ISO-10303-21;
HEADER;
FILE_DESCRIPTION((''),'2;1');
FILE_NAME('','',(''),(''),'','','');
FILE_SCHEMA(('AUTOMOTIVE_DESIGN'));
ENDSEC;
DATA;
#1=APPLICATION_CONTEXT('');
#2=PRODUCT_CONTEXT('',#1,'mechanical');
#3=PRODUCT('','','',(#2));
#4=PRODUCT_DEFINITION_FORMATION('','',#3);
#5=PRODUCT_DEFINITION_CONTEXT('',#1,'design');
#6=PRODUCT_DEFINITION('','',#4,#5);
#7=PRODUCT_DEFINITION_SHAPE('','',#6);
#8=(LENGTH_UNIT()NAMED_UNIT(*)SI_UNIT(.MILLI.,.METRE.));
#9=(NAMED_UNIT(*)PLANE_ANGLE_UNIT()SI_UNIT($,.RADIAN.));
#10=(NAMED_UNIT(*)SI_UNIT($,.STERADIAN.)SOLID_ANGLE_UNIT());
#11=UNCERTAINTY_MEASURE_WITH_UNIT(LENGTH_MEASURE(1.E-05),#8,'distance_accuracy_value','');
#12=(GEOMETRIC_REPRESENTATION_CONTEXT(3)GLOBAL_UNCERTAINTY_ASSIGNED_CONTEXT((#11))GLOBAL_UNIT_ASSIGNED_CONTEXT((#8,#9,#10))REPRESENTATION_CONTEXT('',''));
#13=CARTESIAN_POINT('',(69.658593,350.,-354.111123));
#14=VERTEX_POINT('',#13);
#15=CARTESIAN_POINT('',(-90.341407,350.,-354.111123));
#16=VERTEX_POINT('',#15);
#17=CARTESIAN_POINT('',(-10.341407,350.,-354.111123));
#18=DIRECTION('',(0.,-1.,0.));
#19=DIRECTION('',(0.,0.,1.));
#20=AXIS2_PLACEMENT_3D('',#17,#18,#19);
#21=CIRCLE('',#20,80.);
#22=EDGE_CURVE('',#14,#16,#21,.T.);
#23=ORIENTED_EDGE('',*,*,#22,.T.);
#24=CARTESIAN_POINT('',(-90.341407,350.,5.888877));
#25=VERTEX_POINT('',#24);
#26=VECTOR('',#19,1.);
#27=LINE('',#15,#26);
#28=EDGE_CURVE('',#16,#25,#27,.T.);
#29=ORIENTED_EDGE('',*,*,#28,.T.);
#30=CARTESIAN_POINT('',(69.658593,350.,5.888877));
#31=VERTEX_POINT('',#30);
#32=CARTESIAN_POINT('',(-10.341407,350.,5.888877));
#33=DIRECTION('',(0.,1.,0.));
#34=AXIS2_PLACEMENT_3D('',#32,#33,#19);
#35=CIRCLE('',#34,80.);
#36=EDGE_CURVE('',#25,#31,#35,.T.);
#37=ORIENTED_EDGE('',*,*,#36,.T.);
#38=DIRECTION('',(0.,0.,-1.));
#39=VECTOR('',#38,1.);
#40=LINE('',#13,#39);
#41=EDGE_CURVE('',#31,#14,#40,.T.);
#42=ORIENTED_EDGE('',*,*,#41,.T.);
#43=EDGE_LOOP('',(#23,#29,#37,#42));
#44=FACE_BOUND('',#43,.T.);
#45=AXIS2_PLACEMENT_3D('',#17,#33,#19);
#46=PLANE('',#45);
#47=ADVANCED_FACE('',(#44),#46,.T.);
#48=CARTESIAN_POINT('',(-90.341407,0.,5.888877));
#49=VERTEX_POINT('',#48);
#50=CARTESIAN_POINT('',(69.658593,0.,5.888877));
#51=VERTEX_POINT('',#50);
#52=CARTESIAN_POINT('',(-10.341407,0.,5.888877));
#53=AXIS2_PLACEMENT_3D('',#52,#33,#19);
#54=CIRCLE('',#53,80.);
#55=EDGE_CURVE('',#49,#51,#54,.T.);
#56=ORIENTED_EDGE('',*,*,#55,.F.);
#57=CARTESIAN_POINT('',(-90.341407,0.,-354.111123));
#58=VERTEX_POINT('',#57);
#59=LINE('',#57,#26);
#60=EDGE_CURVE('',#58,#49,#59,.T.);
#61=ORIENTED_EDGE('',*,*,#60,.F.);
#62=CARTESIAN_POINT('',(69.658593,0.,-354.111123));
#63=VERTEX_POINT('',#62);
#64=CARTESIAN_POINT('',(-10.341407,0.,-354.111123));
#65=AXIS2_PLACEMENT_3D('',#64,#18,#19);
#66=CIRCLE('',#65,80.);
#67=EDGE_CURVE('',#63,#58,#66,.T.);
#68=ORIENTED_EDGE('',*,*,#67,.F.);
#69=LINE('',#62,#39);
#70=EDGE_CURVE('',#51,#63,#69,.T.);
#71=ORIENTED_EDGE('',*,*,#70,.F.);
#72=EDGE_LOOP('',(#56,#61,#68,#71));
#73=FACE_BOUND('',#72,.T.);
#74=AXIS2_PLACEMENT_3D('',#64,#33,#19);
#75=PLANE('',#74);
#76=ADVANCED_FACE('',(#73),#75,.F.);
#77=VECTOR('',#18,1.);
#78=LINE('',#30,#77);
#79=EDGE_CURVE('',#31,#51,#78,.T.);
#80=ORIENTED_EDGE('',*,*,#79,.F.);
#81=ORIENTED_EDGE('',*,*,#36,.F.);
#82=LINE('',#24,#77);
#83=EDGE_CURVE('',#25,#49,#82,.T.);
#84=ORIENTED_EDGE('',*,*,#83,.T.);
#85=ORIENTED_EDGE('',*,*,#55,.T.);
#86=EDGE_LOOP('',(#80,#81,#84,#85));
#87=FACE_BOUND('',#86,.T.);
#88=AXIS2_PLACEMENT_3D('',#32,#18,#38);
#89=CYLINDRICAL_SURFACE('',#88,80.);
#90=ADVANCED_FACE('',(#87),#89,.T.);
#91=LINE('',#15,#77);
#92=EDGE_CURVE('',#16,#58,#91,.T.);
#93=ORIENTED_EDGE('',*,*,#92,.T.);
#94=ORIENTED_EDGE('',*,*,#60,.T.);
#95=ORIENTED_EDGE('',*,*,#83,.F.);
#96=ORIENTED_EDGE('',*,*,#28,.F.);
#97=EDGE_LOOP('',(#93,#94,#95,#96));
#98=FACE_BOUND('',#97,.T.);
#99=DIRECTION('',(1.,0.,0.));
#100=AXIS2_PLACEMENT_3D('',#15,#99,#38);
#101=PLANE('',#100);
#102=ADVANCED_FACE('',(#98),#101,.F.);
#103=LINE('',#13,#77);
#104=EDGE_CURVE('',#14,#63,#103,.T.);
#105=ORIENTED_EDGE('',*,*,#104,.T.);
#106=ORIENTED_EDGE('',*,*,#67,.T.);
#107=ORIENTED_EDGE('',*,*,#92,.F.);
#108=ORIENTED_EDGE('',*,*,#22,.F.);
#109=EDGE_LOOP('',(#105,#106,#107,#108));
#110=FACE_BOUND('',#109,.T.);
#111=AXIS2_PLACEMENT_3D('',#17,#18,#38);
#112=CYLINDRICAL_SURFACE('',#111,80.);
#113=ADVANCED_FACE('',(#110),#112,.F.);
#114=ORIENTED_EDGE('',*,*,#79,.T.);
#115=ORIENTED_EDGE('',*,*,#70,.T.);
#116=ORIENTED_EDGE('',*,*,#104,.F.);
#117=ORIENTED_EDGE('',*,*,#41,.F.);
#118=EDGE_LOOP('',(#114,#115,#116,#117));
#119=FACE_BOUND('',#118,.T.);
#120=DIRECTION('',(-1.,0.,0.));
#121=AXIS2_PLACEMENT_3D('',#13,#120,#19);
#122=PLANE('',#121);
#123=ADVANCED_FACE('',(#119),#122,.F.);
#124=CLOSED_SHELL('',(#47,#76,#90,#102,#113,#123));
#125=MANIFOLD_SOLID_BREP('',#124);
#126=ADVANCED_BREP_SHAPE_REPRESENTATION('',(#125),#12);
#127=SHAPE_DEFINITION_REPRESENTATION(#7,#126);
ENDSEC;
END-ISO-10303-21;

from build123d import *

# Parameters (mm, degrees)
BOSS_EXTRUDE1_DEPTH = 350


with BuildPart() as part:
    # Sketch1 → Boss-Extrude1 (new body)
    with BuildSketch(Plane(origin=(0, 0, 0), x_dir=(1, 0, 0), z_dir=(0, 1, 0))):
        with BuildLine():
            Line((-90.341406563, 354.111123331), (-90.341406563, -5.888876669))
            ThreePointArc((-90.341406563, -5.888876669), (-10.341406563, -85.888876669), (69.658593437, -5.888876669))
            Line((69.658593437, -5.888876669), (69.658593437, 354.111123331))
            ThreePointArc((69.658593437, 354.111123331), (-10.341406563, 274.111123331), (-90.341406563, 354.111123331))
        make_face()
    extrude(amount=BOSS_EXTRUDE1_DEPTH)


solid = part.part
